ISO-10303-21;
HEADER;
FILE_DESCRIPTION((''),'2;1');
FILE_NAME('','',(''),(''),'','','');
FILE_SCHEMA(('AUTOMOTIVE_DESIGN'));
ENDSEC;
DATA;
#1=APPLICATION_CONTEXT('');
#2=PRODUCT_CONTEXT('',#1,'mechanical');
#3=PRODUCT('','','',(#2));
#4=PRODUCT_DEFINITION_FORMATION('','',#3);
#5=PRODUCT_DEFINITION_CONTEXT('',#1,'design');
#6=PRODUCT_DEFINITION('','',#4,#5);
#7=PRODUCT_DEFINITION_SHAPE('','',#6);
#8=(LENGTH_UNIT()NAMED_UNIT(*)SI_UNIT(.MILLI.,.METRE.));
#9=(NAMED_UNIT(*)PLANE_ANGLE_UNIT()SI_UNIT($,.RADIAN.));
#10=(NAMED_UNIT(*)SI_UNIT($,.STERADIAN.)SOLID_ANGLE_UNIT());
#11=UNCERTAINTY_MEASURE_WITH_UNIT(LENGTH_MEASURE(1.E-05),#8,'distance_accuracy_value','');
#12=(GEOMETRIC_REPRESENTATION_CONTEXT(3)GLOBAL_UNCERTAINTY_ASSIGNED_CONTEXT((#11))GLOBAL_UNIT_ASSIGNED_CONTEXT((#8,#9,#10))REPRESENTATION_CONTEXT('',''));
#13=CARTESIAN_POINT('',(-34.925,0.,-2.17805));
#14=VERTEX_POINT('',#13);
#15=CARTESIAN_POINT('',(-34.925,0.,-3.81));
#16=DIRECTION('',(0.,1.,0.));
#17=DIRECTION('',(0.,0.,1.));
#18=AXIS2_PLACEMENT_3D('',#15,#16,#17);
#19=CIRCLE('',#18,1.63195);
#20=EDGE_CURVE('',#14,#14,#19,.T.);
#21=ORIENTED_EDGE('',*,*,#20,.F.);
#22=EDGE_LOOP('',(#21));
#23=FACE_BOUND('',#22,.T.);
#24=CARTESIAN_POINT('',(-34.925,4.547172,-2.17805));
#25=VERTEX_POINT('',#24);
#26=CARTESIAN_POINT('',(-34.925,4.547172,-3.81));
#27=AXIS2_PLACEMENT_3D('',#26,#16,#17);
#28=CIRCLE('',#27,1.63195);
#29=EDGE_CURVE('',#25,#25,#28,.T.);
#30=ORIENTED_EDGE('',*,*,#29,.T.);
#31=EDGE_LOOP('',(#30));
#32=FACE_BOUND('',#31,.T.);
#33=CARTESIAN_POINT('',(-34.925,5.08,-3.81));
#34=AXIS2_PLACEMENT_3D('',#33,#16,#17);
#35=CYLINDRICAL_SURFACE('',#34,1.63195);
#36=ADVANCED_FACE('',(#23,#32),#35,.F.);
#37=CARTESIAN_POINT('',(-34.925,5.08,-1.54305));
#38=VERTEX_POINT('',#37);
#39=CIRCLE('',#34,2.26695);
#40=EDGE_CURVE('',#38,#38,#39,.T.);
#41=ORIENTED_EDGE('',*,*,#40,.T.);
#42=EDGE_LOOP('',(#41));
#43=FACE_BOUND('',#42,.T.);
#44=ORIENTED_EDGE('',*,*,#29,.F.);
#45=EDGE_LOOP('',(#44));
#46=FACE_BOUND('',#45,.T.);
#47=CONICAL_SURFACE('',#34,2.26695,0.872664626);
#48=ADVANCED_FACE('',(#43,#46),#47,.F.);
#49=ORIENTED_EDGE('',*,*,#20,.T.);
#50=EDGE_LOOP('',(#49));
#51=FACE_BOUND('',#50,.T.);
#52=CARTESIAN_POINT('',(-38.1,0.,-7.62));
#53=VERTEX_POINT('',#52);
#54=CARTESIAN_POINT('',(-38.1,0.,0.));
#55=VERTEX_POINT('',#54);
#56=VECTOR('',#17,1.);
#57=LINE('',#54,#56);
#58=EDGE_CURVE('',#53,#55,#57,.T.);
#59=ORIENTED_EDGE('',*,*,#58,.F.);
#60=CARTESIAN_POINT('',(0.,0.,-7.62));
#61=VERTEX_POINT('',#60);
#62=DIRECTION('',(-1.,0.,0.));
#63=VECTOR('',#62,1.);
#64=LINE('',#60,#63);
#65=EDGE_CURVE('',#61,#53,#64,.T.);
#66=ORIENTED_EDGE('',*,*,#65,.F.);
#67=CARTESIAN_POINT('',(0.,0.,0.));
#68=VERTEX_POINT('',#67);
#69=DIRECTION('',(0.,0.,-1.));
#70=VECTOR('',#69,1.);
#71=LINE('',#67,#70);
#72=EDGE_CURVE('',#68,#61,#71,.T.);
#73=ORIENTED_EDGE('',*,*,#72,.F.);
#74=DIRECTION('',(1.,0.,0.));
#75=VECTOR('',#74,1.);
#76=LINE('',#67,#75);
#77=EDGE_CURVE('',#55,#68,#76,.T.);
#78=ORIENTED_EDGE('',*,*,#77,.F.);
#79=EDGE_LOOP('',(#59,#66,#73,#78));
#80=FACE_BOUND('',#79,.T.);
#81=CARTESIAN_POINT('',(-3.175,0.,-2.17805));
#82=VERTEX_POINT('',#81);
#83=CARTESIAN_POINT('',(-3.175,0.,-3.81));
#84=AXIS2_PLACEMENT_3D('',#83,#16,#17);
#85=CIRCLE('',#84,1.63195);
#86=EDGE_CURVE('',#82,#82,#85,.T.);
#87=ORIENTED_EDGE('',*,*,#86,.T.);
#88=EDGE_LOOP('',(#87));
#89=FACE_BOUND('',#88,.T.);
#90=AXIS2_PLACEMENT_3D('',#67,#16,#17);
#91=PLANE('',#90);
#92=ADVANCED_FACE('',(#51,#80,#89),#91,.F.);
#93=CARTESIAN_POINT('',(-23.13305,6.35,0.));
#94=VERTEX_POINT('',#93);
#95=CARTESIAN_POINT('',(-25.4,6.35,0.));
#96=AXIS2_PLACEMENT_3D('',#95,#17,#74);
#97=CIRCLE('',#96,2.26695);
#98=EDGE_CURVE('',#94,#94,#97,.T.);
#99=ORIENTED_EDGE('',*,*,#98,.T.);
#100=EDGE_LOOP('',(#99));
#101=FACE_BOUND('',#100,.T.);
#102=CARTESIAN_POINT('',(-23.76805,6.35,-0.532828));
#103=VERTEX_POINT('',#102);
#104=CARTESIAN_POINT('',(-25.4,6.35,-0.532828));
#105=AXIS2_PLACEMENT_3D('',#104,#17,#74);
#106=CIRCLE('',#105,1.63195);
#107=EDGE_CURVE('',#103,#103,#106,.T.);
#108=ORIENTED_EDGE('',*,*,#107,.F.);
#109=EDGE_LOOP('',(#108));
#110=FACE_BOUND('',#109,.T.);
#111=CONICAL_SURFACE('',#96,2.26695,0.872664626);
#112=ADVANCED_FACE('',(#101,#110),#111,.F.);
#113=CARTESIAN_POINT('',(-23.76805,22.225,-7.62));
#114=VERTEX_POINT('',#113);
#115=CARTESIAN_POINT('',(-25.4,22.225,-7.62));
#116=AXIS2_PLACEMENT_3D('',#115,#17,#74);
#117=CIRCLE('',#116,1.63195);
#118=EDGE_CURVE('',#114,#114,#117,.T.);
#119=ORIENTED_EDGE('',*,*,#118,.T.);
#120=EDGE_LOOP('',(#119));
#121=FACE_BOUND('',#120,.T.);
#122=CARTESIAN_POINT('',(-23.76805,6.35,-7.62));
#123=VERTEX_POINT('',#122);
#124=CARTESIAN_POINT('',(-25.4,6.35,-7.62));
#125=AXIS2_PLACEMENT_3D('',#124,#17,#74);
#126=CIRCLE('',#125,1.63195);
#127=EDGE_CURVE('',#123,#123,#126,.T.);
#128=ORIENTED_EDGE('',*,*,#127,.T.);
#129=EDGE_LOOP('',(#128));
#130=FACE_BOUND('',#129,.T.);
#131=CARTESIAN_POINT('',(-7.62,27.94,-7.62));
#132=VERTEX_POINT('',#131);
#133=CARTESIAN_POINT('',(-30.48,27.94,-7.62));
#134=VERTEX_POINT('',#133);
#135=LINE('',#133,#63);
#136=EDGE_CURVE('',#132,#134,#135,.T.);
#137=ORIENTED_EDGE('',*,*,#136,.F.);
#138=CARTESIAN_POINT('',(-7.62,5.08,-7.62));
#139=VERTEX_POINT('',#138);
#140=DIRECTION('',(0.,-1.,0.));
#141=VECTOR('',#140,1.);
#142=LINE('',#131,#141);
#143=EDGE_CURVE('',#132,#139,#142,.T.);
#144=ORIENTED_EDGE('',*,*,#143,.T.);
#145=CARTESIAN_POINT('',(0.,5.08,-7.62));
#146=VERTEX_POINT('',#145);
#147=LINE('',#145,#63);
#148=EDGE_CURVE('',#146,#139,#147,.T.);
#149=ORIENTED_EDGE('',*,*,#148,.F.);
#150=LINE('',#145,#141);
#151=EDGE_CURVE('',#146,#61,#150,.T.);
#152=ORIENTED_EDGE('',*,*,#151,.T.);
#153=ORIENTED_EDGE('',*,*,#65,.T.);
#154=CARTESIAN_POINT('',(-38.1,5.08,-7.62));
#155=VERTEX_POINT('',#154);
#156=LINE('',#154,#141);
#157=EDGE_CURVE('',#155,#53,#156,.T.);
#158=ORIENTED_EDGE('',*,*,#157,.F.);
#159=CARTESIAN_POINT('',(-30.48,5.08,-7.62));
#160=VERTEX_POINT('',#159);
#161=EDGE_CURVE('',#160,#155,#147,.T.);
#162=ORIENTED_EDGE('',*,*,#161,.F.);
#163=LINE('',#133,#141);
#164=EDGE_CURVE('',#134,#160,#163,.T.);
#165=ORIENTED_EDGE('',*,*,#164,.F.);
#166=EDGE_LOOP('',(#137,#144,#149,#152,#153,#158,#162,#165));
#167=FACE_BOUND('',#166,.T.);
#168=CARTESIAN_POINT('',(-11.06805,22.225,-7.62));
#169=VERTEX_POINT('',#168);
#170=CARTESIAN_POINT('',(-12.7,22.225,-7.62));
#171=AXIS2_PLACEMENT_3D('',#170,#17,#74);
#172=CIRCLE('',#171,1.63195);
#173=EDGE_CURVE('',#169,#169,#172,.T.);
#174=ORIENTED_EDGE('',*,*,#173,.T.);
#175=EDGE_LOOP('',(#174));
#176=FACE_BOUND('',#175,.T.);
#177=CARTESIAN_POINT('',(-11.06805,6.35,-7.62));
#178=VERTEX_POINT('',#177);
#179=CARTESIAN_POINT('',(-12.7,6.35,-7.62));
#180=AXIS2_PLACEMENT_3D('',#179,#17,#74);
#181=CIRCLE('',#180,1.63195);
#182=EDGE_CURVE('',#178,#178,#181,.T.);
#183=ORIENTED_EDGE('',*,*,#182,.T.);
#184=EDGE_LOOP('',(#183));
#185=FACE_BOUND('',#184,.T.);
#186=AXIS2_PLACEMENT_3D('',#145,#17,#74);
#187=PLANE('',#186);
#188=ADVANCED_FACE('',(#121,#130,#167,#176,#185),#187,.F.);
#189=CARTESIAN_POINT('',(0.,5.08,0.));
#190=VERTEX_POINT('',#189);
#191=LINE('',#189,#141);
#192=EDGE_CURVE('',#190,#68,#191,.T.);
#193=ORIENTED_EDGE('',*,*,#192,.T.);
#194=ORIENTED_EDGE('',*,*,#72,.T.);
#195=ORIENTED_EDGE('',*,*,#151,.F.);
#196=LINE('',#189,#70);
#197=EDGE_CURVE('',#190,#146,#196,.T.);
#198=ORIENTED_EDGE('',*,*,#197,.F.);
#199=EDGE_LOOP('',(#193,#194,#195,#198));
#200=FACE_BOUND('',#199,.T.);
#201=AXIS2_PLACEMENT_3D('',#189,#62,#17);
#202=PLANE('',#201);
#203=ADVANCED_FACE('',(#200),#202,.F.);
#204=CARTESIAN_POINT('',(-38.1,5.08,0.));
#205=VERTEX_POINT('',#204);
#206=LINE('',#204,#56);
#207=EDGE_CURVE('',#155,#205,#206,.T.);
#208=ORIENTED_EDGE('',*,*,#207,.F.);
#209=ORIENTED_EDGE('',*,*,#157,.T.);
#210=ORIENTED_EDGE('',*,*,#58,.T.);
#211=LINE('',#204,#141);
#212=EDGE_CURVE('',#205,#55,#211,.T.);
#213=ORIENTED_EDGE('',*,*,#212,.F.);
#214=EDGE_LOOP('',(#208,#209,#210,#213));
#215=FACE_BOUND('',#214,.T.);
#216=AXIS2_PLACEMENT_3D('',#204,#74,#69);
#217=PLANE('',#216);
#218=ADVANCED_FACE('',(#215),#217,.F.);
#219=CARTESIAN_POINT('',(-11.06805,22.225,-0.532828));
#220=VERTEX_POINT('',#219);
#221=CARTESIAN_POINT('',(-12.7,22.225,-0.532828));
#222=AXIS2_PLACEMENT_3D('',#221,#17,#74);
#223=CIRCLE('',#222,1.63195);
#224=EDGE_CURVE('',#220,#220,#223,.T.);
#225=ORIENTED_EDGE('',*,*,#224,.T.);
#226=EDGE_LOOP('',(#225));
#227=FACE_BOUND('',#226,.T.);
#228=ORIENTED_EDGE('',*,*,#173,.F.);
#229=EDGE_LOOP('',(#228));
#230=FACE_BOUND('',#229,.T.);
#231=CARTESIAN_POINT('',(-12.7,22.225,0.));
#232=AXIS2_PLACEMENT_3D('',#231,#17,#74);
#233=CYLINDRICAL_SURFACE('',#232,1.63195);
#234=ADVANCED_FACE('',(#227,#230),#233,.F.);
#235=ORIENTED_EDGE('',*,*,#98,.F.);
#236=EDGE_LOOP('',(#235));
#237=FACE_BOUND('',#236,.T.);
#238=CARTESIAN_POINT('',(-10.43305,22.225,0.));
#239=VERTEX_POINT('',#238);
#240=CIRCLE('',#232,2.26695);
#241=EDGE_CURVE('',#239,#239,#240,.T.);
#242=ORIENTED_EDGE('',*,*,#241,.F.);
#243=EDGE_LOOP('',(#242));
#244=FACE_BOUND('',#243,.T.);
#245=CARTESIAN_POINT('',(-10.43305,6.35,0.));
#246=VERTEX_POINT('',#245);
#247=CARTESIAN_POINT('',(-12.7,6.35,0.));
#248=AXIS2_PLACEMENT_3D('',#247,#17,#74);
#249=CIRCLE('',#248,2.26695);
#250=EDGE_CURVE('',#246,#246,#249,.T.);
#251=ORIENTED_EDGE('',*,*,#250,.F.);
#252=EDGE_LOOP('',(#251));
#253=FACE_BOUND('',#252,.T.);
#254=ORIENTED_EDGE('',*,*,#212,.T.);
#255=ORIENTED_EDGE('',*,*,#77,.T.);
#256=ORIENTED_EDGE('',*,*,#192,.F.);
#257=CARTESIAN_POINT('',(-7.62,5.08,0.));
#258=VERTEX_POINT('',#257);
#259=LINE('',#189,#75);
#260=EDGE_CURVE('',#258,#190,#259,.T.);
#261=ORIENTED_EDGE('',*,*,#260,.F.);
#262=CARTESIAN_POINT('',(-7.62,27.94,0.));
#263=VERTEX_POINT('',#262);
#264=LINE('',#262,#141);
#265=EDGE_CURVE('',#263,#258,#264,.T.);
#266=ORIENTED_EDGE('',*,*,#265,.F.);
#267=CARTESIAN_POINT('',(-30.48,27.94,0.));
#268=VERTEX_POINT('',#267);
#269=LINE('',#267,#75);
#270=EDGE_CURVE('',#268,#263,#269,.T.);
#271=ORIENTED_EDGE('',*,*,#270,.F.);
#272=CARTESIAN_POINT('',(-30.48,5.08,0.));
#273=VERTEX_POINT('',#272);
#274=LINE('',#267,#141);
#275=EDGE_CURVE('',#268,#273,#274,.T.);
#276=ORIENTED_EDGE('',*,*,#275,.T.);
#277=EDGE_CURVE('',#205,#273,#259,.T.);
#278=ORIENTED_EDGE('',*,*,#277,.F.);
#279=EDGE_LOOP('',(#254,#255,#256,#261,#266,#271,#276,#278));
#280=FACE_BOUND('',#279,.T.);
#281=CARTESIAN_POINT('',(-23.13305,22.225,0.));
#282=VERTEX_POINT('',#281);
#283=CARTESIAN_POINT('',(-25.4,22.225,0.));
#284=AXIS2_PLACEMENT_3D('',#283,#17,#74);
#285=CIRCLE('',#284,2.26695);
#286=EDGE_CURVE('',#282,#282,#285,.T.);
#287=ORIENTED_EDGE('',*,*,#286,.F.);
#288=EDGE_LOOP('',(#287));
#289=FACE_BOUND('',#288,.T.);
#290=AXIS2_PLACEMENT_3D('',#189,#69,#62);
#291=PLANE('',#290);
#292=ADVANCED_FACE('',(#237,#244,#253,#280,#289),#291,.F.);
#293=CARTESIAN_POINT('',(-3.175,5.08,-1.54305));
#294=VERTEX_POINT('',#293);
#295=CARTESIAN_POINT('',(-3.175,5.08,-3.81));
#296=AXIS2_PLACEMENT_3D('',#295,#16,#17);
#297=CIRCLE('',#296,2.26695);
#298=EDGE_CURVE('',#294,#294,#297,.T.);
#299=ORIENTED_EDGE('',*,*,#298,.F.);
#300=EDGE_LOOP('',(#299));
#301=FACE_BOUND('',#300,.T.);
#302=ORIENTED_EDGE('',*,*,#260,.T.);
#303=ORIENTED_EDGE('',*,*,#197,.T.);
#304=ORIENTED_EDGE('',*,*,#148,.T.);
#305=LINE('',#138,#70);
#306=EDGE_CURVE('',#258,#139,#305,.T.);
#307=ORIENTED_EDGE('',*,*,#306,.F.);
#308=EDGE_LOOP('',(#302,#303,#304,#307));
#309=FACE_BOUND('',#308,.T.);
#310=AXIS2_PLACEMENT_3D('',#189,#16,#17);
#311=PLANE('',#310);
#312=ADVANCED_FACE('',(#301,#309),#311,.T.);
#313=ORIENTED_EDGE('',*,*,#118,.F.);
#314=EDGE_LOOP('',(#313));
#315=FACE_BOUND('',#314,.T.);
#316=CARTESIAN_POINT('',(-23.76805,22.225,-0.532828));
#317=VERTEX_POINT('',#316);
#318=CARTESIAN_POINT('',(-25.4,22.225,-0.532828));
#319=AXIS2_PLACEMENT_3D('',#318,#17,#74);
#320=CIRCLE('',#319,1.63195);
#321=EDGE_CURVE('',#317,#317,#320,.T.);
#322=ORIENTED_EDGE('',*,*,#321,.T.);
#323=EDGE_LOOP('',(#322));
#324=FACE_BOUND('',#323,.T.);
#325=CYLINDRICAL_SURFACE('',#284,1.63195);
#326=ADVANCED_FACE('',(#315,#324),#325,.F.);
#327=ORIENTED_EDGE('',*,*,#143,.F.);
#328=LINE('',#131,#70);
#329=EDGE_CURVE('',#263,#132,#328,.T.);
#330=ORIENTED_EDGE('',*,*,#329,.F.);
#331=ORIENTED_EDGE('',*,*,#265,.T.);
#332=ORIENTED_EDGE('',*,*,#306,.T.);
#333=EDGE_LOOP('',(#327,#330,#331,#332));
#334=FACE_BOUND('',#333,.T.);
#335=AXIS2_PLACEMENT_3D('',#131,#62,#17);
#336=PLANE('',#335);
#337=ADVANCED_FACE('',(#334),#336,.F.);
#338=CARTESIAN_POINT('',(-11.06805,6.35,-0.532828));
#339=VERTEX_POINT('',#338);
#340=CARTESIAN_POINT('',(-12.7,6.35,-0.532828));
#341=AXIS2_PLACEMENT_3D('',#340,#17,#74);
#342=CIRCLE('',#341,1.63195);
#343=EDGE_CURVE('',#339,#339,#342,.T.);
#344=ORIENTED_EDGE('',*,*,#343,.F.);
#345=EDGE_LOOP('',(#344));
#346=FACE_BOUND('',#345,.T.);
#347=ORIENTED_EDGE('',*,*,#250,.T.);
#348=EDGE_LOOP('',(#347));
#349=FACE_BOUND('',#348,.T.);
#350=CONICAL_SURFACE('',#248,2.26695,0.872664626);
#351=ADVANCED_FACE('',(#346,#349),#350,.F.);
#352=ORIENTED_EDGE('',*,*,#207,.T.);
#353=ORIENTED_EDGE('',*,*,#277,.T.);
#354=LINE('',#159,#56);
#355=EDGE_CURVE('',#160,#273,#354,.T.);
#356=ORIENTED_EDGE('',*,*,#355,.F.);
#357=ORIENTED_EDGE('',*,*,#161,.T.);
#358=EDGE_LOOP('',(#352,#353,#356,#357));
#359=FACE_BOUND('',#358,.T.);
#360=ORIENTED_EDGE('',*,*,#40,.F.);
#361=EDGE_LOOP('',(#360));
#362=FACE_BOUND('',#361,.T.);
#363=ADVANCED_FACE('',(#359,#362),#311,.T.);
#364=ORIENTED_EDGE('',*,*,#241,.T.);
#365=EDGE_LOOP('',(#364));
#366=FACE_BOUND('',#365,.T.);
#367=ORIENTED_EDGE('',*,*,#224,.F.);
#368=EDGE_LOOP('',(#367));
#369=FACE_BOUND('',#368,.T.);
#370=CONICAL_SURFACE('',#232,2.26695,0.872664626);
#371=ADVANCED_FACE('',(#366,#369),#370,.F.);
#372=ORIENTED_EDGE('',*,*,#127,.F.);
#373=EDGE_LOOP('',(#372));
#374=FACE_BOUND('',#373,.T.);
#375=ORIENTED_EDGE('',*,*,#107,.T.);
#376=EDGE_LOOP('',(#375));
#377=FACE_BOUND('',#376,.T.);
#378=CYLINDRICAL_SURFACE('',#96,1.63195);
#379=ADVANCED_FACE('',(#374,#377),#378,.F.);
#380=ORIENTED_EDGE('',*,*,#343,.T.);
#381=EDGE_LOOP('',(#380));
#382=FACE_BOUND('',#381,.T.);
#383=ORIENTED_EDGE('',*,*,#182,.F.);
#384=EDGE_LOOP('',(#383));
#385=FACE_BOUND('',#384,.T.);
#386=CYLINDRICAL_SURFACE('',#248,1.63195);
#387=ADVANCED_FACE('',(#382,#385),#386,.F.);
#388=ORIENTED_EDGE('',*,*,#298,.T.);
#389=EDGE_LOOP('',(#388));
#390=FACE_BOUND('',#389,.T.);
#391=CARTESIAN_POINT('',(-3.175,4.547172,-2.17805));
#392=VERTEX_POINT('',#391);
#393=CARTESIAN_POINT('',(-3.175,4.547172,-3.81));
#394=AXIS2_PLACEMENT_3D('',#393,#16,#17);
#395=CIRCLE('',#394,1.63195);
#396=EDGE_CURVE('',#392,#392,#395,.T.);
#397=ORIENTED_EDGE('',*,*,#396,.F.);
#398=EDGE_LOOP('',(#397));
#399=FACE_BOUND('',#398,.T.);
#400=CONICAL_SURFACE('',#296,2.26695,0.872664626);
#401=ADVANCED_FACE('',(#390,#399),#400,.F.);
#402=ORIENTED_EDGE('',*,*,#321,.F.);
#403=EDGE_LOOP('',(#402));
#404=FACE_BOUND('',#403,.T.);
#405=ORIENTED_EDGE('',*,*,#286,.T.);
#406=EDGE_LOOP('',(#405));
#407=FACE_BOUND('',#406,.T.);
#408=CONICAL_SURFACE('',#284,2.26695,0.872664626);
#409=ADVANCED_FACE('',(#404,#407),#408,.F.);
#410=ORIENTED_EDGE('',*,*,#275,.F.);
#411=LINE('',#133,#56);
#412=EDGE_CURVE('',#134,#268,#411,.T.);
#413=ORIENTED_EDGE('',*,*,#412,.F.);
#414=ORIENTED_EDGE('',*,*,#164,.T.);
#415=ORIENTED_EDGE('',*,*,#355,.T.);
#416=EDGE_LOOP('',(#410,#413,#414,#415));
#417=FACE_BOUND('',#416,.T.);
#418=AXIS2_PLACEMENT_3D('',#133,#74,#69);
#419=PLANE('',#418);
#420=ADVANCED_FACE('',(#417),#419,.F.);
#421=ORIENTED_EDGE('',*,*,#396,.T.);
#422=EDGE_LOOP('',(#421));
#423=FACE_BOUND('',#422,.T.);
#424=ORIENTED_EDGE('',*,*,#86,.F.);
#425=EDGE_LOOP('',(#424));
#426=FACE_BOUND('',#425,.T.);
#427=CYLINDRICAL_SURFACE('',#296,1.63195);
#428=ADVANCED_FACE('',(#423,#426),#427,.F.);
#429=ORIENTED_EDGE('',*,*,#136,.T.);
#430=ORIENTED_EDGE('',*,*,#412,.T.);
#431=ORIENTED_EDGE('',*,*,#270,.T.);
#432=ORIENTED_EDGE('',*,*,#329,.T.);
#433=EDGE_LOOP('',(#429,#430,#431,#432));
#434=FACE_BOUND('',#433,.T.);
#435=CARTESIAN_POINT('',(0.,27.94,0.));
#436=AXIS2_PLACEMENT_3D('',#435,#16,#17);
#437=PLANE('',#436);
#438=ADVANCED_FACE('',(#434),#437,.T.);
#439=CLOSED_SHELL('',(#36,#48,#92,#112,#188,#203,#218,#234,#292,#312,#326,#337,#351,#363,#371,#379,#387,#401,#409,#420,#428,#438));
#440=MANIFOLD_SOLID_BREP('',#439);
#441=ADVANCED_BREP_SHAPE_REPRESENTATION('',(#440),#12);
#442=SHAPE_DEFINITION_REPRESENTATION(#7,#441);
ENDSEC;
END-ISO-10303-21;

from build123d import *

# Parameters (mm, degrees)
SKETCH1_W                       = 38.1
SKETCH1_H                       = 7.62
BOSS_EXTRUDE1_DEPTH             = 5.08
SKETCH2_W                       = 22.86
SKETCH2_H                       = 7.62
BOSS_EXTRUDE2_DEPTH             = 22.86
F_4_CLEARANCE_HOLE1_D           = 3.2639
F_4_CLEARANCE_HOLE1_CSINK_D     = 4.5339
F_4_CLEARANCE_HOLE1_CSINK_ANGLE = 100
F_4_CLEARANCE_HOLE2_D           = 3.2639
F_4_CLEARANCE_HOLE2_CSINK_D     = 4.5339
F_4_CLEARANCE_HOLE2_CSINK_ANGLE = 100


with BuildPart() as part:
    # Sketch1 → Boss-Extrude1 (new body)
    with BuildSketch(Plane(origin=(0, 0, 0), x_dir=(1, 0, 0), z_dir=(0, 1, 0))):
        with Locations((-19.05, 3.81)):
            Rectangle(SKETCH1_W, SKETCH1_H)
    extrude(amount=BOSS_EXTRUDE1_DEPTH)

    # Sketch2 → Boss-Extrude2 (add)
    with BuildSketch(Plane(origin=(0, 5.08, 0), x_dir=(1, 0, 0), z_dir=(0, 1, 0))):
        with Locations((-19.05, 3.81)):
            Rectangle(SKETCH2_W, SKETCH2_H)
    extrude(amount=BOSS_EXTRUDE2_DEPTH)

    # #4 Clearance Hole1 (through all)
    with Locations(Plane(origin=(-25.4, 6.35, 0), x_dir=(1, 0, 0), z_dir=(0, 0, 1))):
        with Locations((0, 0), (0, 15.875), (12.7, 15.875), (12.7, 0)):
            CounterSinkHole(F_4_CLEARANCE_HOLE1_D / 2, F_4_CLEARANCE_HOLE1_CSINK_D / 2, counter_sink_angle=F_4_CLEARANCE_HOLE1_CSINK_ANGLE)

    # #4 Clearance Hole2 (through all)
    with Locations(Plane(origin=(0, 5.08, 0), x_dir=(1, 0, 0), z_dir=(0, 1, 0))):
        with Locations((-34.925, 3.81), (-3.175, 3.81)):
            CounterSinkHole(F_4_CLEARANCE_HOLE2_D / 2, F_4_CLEARANCE_HOLE2_CSINK_D / 2, counter_sink_angle=F_4_CLEARANCE_HOLE2_CSINK_ANGLE)


solid = part.part
